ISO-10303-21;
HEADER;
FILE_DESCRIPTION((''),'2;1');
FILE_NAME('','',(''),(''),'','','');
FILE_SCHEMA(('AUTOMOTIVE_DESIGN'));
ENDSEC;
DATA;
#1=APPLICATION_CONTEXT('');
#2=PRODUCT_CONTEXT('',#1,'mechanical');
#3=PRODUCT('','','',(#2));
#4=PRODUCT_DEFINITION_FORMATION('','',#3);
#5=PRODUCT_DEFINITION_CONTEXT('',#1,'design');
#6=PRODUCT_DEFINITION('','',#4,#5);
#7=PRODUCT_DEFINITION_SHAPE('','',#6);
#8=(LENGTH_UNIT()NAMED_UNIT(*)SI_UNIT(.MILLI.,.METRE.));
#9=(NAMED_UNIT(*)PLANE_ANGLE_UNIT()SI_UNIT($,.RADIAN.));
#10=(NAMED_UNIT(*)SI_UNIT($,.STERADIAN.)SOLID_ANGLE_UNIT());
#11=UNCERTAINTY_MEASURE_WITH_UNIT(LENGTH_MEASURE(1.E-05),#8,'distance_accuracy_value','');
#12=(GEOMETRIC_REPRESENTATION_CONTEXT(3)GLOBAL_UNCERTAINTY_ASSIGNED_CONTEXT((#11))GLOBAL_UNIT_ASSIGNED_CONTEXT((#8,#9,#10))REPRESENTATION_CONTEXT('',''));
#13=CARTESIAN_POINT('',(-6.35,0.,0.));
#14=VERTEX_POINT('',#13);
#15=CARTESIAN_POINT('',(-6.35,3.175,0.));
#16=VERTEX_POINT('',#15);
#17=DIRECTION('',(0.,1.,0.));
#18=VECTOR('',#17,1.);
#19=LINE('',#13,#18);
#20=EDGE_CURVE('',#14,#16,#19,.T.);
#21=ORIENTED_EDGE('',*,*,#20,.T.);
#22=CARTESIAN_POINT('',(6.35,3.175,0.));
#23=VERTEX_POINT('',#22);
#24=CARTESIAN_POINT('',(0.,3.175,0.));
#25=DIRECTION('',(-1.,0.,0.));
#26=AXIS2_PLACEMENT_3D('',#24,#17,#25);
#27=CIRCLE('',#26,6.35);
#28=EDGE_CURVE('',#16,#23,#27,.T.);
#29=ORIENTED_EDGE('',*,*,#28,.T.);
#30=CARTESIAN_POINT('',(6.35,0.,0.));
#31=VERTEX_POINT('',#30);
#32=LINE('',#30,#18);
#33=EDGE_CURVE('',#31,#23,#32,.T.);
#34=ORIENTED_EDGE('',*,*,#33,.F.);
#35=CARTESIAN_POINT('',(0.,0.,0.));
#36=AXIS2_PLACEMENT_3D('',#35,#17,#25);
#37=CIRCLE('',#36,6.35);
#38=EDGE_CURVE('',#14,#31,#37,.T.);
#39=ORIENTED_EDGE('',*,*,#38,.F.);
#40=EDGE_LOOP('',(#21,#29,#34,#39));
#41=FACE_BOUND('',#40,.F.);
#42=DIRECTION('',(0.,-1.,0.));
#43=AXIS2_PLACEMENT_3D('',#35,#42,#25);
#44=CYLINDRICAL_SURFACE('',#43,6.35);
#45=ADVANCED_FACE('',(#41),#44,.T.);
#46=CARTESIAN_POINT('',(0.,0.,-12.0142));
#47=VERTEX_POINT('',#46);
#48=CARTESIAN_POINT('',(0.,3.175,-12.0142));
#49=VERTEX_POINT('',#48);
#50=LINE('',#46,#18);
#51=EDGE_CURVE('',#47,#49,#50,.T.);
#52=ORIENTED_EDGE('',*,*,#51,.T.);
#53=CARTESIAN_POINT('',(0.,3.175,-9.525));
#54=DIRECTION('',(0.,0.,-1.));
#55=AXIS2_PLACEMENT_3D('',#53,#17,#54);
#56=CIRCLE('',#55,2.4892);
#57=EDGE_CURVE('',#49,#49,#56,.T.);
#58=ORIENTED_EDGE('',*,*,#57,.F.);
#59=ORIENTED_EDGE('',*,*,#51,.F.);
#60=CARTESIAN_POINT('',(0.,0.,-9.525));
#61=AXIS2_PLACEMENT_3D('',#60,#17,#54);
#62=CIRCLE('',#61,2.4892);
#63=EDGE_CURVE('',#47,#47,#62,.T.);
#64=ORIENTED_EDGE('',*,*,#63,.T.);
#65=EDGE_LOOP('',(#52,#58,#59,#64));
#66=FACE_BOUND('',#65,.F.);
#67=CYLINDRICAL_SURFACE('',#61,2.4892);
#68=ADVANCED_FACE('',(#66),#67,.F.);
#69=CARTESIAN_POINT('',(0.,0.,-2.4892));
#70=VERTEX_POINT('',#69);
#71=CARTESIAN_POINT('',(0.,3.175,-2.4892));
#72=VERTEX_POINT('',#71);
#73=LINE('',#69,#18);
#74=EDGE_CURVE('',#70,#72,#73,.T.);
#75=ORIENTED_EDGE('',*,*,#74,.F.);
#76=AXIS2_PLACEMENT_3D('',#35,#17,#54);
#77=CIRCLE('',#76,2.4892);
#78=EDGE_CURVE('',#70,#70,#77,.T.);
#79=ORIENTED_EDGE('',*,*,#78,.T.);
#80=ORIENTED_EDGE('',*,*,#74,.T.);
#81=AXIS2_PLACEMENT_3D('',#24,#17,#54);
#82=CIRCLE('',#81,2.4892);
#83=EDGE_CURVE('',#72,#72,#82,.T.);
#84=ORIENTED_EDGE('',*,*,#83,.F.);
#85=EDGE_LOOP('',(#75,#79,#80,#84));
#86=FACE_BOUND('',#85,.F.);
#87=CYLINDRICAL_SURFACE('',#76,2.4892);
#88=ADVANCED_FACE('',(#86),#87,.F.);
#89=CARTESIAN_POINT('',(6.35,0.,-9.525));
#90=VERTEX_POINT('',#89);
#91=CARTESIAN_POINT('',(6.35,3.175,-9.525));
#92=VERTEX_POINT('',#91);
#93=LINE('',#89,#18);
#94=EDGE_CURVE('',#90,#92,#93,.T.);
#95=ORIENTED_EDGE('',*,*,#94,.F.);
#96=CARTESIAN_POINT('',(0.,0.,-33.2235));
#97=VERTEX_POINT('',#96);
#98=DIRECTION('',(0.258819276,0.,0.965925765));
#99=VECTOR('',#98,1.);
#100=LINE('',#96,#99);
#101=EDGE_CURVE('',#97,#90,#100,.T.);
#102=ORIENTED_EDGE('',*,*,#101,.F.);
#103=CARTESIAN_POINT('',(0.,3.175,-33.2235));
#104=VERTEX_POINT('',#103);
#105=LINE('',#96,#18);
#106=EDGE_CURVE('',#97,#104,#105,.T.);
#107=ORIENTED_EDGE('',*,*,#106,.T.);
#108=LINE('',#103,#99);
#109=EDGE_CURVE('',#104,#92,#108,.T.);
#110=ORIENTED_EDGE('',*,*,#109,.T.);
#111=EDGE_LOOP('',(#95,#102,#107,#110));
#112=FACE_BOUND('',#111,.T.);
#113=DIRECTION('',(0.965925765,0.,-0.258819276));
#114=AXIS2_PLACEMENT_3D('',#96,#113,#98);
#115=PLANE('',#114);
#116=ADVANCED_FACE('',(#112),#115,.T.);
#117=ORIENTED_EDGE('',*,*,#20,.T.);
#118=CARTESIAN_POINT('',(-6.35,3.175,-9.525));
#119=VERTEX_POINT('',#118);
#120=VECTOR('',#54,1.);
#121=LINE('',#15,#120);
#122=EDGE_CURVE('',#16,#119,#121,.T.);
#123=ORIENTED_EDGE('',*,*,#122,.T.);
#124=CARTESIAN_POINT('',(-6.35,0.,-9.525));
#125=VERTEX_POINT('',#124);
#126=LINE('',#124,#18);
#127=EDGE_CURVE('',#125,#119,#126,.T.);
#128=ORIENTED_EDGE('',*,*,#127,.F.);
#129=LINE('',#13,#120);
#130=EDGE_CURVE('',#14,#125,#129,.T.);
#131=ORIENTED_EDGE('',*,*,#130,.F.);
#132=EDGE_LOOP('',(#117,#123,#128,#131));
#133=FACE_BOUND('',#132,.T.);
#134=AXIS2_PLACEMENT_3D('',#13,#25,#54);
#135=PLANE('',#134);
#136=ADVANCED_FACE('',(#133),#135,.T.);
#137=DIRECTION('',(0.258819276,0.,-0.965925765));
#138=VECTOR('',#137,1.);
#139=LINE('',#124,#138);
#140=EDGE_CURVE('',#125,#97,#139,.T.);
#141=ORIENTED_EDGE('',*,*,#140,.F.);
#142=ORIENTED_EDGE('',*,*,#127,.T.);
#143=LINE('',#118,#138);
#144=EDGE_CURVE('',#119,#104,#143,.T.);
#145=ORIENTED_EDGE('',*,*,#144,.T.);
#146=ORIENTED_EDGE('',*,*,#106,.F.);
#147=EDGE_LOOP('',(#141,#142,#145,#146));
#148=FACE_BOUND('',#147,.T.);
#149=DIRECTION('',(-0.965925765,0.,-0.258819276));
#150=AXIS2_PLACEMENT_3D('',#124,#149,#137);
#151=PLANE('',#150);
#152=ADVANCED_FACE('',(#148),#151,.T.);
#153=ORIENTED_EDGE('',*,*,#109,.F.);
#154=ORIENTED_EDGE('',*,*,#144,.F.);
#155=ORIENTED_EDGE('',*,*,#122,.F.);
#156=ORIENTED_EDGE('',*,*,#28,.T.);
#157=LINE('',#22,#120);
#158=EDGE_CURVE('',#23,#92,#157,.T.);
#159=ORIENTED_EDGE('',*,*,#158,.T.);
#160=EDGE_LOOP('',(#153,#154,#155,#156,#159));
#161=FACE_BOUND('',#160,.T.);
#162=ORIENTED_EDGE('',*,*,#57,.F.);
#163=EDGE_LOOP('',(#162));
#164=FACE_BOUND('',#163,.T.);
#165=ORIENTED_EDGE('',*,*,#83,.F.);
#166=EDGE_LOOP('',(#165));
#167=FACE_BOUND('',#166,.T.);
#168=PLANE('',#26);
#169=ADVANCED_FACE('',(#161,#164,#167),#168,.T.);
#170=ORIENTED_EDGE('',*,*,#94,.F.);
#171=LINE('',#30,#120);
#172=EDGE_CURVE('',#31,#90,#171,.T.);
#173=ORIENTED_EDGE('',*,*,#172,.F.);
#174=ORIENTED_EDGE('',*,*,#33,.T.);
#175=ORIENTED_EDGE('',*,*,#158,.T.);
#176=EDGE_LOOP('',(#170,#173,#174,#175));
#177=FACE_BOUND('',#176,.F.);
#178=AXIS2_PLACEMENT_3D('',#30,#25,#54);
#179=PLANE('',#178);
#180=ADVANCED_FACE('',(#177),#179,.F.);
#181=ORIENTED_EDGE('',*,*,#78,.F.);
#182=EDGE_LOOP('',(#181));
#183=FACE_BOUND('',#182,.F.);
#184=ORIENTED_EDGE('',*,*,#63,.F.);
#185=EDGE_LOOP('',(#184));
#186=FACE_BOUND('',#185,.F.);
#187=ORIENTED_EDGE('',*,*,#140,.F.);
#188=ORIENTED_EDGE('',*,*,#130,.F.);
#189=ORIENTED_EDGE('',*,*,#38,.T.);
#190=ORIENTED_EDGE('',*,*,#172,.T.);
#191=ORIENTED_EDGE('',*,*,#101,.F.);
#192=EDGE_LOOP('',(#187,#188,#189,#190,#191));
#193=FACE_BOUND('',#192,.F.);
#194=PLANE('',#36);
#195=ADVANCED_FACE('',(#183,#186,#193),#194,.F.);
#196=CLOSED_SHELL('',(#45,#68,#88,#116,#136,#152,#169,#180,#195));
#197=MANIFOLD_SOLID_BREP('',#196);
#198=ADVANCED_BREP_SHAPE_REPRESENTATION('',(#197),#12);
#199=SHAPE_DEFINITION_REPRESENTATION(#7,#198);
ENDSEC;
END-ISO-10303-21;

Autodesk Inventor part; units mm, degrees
ref_plane "YZ Plane" through (0, 0, 0) normal (1, 0, 0) x (0, 1, 0)
ref_plane "XZ Plane" through (0, 0, 0) normal (0, 1, 0) x (-1, 0, 0)
ref_plane "XY Plane" through (0, 0, 0) normal (0, 0, 1) x (1, 0, 0)
sketch "Sketch1" plane through (0, 0, 0) normal (0, 1, 0) x (-1, 0, 0)
  line L0 (0, 0) -> (0, -9.525)
  arc A0 (6.35, 0) -> (-6.35, 0) centre (0, 0) ccw
  line L1 (6.35, 0) -> (6.35, -9.525)
  line L2 (-6.35, 0) -> (-6.35, -9.525)
  line L3 (6.35, -9.525) -> (0, -33.2235)
  line L4 (0, -33.2235) -> (-6.35, -9.525)
  dimension "d0" = 9.525
  dimension "d1" = 12.7
  dimension "d13" = 165
  dimension "d14" = 9.525
  dimension "d15" = 9.525
  dimension "d16" = 165
extrude "Extrusion1" add sketch "Sketch1" along normal blind 3.175
hole "Hole1" at (0, 0, 0) at (0, 0, -9.525) direction (0, 1, 0) diameter 4.9784 end through all clearance for "Flat Head Machine Screw (82)" size "#10" standard "Ansi Unified Screw Threads"
equation "\"d1\" = thickness"
equation "\"height\" = 203.2"
equation "\"thickness\" = 12.7"
equation "\"shaftDiam\" = 6.35"
equation "\"shaftSpace\" = 1.5875"
equation "\"stageSpace\" = 2.54"
equation "\"stageAngle\" = 15deg"
equation "\"bearingDiam\" = 9.5504"
equation "\"FlangeDiam\" = 12.7"
equation "\"FlangeDepth\" = 1.5875"
equation "\"smallFilet\" = 0.39687"
equation "\"ringDiam\" = 96.46608"
equation "\"stockHeight\" = 50.8"
equation "\"stockWidth\" = 76.2"
equation "\"stockRad\" = 9.525"
equation "\"stockGuage\" = 3.175"
equation "\"groundActu\" = 304.8"
equation "\"baseWidth\" = 1066.8"
equation "\"baseDepth\" = 254"
equation "\"capThickness\" = 3.175"
equation "\"sup1Len\" = 660.4"
equation "\"sup1Ang\" = 22.619865deg"
equation "\"sup2Len\" = 2079.37366"
equation "\"sup2Ang\" = 8.959949deg"
equation "\"supVertLen\" = 955.13561"
equation "\"supSideLen\" = 1531.12879"
equation "\"supSideAng\" = 19.376933deg"
properties part number "lock ring 2 supp" material "Aluminum 6061"
